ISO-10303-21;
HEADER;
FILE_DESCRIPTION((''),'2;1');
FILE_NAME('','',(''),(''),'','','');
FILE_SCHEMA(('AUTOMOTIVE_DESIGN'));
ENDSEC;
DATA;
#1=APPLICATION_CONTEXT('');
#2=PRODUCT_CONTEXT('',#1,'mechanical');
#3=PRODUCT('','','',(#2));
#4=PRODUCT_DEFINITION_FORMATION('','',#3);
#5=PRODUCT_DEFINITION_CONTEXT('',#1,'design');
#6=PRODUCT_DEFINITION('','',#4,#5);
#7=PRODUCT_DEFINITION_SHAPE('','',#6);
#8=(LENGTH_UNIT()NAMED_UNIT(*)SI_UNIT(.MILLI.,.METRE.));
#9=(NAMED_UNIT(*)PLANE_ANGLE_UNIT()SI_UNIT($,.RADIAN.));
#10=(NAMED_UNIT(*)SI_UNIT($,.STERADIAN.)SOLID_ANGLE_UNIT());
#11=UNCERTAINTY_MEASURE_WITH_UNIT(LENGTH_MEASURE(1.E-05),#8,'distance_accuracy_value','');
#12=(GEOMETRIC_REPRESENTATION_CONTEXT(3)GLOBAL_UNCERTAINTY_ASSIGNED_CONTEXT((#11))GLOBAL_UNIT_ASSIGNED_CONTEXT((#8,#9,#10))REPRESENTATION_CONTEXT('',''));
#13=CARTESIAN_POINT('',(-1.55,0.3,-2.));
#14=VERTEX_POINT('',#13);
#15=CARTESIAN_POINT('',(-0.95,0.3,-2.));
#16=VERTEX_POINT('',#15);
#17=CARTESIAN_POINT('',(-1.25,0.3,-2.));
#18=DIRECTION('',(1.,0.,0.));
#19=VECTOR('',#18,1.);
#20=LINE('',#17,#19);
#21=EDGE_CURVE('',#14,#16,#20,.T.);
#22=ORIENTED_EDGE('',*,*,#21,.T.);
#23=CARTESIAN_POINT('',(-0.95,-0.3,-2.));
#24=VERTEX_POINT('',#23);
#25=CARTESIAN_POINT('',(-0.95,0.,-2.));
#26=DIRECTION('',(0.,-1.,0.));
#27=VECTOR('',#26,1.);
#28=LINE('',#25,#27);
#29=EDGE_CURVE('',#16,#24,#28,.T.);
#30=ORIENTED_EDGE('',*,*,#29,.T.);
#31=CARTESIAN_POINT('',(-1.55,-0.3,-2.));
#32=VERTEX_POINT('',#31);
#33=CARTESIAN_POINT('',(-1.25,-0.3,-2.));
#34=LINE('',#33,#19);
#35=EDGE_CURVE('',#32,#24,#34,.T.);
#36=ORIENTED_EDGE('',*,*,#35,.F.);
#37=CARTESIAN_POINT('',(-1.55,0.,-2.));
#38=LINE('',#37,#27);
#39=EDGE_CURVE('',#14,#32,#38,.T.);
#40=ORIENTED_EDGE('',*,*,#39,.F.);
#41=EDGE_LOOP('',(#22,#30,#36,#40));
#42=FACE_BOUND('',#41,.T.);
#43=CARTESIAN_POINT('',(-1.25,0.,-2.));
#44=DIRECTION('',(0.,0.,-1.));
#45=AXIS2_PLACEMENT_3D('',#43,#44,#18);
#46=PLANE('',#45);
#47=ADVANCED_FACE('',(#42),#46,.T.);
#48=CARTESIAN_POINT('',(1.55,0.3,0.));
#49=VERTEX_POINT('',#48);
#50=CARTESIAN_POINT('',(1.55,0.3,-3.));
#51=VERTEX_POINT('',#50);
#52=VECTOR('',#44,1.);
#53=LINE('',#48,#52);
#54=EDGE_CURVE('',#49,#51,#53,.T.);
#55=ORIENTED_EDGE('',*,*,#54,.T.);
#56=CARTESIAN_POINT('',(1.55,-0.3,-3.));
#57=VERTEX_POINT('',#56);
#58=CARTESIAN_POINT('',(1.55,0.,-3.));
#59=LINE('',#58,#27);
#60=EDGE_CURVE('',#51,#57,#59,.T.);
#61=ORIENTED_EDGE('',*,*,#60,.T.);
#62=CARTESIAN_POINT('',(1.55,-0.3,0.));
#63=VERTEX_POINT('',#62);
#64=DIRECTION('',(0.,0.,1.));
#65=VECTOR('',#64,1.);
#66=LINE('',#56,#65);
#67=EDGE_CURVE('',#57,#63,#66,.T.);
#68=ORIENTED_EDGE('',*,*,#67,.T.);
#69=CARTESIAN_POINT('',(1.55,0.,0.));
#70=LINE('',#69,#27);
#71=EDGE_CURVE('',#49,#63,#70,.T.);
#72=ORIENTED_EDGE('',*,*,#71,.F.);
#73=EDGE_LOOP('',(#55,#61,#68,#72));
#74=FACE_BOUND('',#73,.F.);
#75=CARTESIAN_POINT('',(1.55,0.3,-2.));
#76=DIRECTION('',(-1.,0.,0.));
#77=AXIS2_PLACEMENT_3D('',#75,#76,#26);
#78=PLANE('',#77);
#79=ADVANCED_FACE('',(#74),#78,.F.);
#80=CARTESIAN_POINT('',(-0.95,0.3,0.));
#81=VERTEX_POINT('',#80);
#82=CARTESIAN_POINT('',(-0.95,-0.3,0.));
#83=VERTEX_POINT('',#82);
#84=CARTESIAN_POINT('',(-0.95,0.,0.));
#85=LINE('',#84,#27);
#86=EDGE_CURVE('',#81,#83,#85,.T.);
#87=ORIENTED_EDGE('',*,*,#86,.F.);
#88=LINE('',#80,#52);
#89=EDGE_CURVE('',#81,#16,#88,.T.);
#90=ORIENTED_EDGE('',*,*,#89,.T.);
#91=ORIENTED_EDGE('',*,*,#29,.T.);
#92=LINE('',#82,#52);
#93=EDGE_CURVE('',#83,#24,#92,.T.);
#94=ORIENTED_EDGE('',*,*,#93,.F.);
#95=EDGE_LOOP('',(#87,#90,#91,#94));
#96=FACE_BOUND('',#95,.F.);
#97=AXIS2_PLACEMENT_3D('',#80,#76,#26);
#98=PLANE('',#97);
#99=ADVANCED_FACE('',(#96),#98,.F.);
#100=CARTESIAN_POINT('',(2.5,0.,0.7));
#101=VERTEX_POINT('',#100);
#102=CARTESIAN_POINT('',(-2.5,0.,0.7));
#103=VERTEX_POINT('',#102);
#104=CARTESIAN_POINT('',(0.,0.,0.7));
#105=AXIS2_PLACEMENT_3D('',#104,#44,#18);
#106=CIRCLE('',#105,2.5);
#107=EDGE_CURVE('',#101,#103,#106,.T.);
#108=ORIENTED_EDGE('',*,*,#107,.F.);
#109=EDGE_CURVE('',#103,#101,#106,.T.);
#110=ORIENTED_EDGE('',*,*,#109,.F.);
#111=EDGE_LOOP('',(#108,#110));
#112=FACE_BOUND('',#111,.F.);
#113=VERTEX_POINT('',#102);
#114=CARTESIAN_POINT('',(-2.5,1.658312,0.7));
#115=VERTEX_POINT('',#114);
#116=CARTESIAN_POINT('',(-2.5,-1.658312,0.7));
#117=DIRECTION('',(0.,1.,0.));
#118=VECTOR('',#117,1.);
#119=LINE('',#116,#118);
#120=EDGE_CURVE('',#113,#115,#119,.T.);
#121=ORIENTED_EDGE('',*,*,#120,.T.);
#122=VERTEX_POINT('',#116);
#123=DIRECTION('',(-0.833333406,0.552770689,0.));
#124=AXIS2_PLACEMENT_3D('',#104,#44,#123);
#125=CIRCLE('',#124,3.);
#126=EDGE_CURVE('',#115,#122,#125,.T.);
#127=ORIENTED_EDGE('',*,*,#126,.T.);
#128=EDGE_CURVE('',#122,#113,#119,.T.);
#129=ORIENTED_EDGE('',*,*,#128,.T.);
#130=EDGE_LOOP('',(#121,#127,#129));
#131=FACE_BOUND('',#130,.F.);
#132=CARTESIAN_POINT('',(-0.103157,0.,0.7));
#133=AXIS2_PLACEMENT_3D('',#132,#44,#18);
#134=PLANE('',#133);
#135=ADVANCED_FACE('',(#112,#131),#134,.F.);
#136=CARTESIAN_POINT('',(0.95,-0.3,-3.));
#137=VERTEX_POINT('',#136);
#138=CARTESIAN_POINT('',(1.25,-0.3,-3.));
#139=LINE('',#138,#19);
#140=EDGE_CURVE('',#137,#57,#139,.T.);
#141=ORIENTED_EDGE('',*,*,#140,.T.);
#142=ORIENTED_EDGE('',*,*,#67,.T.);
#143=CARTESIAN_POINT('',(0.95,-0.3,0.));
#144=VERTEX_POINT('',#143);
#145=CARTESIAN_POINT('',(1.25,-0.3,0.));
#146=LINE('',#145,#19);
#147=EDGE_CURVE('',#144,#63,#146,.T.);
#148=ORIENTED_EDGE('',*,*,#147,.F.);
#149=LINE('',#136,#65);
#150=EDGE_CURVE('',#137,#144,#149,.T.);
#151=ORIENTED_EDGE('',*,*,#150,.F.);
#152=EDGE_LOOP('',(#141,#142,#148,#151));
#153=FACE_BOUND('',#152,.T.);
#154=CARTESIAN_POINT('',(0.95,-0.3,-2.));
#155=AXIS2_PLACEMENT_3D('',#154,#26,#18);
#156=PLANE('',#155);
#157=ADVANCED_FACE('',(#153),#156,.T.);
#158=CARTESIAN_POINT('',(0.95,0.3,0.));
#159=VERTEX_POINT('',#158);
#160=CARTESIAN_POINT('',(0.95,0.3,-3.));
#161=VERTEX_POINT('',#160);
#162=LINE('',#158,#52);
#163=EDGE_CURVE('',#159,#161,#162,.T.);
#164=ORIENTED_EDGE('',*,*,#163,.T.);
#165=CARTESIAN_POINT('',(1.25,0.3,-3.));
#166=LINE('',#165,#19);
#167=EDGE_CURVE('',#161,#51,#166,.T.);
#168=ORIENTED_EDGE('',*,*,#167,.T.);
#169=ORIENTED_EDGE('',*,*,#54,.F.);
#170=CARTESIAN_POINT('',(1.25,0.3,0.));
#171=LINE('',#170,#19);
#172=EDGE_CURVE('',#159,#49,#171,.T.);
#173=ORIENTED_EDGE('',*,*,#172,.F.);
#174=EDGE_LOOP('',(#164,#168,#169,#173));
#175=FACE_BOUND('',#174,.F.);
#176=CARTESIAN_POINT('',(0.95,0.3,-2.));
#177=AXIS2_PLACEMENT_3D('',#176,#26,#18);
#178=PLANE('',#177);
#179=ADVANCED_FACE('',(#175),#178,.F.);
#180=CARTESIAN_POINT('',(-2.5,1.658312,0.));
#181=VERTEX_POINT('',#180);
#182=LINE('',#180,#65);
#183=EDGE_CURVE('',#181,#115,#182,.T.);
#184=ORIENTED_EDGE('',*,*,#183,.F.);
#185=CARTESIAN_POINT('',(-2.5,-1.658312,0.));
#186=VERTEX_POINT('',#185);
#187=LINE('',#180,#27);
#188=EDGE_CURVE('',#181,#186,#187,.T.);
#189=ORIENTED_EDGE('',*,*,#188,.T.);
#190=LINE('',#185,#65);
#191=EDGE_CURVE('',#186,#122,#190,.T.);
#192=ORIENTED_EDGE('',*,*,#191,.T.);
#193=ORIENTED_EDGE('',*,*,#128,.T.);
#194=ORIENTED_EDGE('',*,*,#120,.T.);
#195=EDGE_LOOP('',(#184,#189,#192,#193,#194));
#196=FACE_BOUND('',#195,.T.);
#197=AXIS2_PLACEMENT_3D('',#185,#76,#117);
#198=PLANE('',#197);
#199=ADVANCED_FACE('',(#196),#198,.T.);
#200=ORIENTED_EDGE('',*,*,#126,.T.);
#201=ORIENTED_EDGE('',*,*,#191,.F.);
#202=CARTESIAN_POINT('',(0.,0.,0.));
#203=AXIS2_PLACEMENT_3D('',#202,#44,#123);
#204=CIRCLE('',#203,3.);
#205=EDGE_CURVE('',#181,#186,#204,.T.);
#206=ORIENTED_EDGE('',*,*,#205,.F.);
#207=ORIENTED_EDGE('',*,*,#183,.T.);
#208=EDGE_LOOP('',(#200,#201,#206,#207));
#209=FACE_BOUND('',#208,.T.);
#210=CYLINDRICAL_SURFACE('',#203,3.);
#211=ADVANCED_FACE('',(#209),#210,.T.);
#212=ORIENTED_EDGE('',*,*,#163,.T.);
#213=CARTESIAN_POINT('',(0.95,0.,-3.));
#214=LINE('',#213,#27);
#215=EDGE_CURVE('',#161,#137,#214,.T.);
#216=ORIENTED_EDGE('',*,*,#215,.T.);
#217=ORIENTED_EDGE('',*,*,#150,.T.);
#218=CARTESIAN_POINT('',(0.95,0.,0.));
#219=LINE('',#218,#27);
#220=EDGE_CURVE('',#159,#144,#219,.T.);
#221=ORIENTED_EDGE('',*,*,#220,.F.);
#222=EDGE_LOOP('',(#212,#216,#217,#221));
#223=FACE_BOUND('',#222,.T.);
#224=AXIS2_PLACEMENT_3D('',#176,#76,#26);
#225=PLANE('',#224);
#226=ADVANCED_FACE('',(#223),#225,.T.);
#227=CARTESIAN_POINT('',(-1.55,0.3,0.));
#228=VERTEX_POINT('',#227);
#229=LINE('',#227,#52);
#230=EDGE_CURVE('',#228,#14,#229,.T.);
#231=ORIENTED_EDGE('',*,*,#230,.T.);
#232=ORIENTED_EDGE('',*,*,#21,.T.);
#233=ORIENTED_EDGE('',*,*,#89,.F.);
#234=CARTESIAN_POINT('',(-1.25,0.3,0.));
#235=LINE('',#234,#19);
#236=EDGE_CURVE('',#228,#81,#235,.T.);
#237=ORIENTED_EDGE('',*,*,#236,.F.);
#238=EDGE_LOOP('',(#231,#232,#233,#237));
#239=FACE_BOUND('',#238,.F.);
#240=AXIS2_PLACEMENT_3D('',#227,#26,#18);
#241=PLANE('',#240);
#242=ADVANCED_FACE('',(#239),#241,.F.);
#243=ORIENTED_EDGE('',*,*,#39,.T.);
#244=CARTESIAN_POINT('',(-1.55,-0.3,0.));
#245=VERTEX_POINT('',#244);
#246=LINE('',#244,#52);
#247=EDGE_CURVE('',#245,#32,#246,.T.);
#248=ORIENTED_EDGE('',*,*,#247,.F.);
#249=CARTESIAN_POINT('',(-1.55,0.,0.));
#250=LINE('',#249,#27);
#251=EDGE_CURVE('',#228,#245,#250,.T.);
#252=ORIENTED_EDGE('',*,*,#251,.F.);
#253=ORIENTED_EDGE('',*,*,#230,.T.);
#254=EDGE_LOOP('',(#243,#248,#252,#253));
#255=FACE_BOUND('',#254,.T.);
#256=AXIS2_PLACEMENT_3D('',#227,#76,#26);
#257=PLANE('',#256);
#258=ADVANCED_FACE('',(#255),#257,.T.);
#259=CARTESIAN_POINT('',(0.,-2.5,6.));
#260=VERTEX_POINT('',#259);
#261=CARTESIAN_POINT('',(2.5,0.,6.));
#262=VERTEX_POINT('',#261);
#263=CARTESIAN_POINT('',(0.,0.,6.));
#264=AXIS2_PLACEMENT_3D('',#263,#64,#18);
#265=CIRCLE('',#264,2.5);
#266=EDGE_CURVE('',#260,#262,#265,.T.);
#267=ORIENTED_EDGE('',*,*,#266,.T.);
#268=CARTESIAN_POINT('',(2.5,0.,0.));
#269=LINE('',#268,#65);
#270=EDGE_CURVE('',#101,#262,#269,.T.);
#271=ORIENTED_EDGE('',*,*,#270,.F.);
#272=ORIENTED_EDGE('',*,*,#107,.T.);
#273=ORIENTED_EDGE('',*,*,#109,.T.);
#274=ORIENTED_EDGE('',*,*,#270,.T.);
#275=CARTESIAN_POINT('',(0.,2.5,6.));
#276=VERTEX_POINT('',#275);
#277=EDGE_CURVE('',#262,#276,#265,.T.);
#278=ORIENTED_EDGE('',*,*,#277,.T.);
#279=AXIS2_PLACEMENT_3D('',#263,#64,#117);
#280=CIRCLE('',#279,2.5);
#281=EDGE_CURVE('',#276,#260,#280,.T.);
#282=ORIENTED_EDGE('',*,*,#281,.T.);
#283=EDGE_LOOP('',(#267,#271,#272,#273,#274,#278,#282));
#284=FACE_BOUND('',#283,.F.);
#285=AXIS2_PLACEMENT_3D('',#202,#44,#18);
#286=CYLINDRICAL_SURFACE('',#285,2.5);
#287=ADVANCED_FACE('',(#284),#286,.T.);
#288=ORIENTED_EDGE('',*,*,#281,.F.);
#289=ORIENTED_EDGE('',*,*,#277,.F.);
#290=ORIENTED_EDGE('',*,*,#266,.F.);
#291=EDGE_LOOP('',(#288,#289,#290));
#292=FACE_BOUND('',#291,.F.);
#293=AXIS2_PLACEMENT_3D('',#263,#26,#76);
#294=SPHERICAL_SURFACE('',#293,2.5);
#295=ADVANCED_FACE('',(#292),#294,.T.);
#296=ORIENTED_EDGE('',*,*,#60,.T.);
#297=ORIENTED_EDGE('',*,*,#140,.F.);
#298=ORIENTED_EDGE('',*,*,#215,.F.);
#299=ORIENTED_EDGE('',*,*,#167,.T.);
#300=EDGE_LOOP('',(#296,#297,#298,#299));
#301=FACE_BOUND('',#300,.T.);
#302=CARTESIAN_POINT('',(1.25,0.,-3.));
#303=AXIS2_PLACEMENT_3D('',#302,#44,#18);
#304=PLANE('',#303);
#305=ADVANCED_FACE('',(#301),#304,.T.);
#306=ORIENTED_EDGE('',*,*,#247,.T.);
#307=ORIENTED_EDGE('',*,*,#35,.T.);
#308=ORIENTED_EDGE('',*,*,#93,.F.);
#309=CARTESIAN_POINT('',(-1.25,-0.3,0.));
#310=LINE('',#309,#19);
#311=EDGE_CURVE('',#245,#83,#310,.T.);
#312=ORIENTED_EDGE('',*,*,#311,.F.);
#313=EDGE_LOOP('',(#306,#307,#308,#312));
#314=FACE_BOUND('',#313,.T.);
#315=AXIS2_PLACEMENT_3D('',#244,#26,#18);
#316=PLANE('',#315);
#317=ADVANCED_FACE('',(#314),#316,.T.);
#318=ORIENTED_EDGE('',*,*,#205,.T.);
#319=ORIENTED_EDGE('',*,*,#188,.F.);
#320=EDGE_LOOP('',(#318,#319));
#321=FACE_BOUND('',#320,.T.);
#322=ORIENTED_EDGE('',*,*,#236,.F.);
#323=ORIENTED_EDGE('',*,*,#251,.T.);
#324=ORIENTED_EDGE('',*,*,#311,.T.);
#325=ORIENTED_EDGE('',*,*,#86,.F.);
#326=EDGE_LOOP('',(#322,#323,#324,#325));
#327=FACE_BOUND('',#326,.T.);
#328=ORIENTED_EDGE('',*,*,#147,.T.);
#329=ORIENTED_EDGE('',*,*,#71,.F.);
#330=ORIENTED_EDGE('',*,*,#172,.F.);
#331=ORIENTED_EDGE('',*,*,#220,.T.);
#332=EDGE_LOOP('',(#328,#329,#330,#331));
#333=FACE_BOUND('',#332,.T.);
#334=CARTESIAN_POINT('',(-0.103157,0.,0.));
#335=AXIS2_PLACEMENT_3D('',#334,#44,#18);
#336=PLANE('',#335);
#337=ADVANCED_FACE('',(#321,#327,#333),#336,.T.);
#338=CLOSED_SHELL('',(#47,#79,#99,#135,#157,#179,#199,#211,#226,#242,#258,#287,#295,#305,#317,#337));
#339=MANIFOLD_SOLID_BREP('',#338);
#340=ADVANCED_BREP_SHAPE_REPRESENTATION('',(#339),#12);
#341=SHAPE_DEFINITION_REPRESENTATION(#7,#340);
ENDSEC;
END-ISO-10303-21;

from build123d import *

# Parameters (mm, degrees)
F0_R      = 2.5
F1_DEPTH  = 6
F5_DEPTH  = 0.7
F6_W      = 0.6
F6_H      = 0.6
F7_DEPTH  = 2
F7_FACE_W = 0.6
F7_FACE_H = 0.6
F8_DEPTH  = 1


with BuildPart() as f1:
    # F0 (on Top) → F1 (new body)
    with BuildSketch(Plane.XY):
        Circle(F0_R)
    extrude(amount=F1_DEPTH)

    # F2 (on face) → F3 (revolve)
    with BuildSketch(Plane.XY.offset(6)):
        with BuildLine():
            ThreePointArc((0, 2.5), (-2.5, 0), (0, -2.5))
            Line((0, -2.5), (0, 2.5))
        make_face()
    revolve(axis=Axis((0, 0, 6), (0, 1, 0)))

    # F4 (on face) → F5 (join)
    with BuildSketch(Plane(origin=(0, 0, 0), x_dir=(1, 0, 0), z_dir=(0, 0, -1))):
        with BuildLine():
            Line((-2.5, 1.658312), (-2.5, -1.658312))
            ThreePointArc((-2.5, -1.658312), (3, 0), (-2.5, 1.658312))
        make_face()
    extrude(amount=-F5_DEPTH)

    # F6 (on face) → F7 (join)
    with BuildSketch(Plane(origin=(0, 0, 0), x_dir=(1, 0, 0), z_dir=(0, 0, -1))):
        with Locations((1.25, 0)):
            Rectangle(F6_W, F6_H)
        with Locations((-1.25, 0)):
            Rectangle(F6_W, F6_H)
    extrude(amount=F7_DEPTH)

    # F7_face (on face) → F8 (join)
    with BuildSketch(Plane(origin=(1.25, 0, -2), x_dir=(1, 0, 0), z_dir=(0, 0, -1))):
        Rectangle(F7_FACE_W, F7_FACE_H)
    extrude(amount=F8_DEPTH)


solid = f1.part
